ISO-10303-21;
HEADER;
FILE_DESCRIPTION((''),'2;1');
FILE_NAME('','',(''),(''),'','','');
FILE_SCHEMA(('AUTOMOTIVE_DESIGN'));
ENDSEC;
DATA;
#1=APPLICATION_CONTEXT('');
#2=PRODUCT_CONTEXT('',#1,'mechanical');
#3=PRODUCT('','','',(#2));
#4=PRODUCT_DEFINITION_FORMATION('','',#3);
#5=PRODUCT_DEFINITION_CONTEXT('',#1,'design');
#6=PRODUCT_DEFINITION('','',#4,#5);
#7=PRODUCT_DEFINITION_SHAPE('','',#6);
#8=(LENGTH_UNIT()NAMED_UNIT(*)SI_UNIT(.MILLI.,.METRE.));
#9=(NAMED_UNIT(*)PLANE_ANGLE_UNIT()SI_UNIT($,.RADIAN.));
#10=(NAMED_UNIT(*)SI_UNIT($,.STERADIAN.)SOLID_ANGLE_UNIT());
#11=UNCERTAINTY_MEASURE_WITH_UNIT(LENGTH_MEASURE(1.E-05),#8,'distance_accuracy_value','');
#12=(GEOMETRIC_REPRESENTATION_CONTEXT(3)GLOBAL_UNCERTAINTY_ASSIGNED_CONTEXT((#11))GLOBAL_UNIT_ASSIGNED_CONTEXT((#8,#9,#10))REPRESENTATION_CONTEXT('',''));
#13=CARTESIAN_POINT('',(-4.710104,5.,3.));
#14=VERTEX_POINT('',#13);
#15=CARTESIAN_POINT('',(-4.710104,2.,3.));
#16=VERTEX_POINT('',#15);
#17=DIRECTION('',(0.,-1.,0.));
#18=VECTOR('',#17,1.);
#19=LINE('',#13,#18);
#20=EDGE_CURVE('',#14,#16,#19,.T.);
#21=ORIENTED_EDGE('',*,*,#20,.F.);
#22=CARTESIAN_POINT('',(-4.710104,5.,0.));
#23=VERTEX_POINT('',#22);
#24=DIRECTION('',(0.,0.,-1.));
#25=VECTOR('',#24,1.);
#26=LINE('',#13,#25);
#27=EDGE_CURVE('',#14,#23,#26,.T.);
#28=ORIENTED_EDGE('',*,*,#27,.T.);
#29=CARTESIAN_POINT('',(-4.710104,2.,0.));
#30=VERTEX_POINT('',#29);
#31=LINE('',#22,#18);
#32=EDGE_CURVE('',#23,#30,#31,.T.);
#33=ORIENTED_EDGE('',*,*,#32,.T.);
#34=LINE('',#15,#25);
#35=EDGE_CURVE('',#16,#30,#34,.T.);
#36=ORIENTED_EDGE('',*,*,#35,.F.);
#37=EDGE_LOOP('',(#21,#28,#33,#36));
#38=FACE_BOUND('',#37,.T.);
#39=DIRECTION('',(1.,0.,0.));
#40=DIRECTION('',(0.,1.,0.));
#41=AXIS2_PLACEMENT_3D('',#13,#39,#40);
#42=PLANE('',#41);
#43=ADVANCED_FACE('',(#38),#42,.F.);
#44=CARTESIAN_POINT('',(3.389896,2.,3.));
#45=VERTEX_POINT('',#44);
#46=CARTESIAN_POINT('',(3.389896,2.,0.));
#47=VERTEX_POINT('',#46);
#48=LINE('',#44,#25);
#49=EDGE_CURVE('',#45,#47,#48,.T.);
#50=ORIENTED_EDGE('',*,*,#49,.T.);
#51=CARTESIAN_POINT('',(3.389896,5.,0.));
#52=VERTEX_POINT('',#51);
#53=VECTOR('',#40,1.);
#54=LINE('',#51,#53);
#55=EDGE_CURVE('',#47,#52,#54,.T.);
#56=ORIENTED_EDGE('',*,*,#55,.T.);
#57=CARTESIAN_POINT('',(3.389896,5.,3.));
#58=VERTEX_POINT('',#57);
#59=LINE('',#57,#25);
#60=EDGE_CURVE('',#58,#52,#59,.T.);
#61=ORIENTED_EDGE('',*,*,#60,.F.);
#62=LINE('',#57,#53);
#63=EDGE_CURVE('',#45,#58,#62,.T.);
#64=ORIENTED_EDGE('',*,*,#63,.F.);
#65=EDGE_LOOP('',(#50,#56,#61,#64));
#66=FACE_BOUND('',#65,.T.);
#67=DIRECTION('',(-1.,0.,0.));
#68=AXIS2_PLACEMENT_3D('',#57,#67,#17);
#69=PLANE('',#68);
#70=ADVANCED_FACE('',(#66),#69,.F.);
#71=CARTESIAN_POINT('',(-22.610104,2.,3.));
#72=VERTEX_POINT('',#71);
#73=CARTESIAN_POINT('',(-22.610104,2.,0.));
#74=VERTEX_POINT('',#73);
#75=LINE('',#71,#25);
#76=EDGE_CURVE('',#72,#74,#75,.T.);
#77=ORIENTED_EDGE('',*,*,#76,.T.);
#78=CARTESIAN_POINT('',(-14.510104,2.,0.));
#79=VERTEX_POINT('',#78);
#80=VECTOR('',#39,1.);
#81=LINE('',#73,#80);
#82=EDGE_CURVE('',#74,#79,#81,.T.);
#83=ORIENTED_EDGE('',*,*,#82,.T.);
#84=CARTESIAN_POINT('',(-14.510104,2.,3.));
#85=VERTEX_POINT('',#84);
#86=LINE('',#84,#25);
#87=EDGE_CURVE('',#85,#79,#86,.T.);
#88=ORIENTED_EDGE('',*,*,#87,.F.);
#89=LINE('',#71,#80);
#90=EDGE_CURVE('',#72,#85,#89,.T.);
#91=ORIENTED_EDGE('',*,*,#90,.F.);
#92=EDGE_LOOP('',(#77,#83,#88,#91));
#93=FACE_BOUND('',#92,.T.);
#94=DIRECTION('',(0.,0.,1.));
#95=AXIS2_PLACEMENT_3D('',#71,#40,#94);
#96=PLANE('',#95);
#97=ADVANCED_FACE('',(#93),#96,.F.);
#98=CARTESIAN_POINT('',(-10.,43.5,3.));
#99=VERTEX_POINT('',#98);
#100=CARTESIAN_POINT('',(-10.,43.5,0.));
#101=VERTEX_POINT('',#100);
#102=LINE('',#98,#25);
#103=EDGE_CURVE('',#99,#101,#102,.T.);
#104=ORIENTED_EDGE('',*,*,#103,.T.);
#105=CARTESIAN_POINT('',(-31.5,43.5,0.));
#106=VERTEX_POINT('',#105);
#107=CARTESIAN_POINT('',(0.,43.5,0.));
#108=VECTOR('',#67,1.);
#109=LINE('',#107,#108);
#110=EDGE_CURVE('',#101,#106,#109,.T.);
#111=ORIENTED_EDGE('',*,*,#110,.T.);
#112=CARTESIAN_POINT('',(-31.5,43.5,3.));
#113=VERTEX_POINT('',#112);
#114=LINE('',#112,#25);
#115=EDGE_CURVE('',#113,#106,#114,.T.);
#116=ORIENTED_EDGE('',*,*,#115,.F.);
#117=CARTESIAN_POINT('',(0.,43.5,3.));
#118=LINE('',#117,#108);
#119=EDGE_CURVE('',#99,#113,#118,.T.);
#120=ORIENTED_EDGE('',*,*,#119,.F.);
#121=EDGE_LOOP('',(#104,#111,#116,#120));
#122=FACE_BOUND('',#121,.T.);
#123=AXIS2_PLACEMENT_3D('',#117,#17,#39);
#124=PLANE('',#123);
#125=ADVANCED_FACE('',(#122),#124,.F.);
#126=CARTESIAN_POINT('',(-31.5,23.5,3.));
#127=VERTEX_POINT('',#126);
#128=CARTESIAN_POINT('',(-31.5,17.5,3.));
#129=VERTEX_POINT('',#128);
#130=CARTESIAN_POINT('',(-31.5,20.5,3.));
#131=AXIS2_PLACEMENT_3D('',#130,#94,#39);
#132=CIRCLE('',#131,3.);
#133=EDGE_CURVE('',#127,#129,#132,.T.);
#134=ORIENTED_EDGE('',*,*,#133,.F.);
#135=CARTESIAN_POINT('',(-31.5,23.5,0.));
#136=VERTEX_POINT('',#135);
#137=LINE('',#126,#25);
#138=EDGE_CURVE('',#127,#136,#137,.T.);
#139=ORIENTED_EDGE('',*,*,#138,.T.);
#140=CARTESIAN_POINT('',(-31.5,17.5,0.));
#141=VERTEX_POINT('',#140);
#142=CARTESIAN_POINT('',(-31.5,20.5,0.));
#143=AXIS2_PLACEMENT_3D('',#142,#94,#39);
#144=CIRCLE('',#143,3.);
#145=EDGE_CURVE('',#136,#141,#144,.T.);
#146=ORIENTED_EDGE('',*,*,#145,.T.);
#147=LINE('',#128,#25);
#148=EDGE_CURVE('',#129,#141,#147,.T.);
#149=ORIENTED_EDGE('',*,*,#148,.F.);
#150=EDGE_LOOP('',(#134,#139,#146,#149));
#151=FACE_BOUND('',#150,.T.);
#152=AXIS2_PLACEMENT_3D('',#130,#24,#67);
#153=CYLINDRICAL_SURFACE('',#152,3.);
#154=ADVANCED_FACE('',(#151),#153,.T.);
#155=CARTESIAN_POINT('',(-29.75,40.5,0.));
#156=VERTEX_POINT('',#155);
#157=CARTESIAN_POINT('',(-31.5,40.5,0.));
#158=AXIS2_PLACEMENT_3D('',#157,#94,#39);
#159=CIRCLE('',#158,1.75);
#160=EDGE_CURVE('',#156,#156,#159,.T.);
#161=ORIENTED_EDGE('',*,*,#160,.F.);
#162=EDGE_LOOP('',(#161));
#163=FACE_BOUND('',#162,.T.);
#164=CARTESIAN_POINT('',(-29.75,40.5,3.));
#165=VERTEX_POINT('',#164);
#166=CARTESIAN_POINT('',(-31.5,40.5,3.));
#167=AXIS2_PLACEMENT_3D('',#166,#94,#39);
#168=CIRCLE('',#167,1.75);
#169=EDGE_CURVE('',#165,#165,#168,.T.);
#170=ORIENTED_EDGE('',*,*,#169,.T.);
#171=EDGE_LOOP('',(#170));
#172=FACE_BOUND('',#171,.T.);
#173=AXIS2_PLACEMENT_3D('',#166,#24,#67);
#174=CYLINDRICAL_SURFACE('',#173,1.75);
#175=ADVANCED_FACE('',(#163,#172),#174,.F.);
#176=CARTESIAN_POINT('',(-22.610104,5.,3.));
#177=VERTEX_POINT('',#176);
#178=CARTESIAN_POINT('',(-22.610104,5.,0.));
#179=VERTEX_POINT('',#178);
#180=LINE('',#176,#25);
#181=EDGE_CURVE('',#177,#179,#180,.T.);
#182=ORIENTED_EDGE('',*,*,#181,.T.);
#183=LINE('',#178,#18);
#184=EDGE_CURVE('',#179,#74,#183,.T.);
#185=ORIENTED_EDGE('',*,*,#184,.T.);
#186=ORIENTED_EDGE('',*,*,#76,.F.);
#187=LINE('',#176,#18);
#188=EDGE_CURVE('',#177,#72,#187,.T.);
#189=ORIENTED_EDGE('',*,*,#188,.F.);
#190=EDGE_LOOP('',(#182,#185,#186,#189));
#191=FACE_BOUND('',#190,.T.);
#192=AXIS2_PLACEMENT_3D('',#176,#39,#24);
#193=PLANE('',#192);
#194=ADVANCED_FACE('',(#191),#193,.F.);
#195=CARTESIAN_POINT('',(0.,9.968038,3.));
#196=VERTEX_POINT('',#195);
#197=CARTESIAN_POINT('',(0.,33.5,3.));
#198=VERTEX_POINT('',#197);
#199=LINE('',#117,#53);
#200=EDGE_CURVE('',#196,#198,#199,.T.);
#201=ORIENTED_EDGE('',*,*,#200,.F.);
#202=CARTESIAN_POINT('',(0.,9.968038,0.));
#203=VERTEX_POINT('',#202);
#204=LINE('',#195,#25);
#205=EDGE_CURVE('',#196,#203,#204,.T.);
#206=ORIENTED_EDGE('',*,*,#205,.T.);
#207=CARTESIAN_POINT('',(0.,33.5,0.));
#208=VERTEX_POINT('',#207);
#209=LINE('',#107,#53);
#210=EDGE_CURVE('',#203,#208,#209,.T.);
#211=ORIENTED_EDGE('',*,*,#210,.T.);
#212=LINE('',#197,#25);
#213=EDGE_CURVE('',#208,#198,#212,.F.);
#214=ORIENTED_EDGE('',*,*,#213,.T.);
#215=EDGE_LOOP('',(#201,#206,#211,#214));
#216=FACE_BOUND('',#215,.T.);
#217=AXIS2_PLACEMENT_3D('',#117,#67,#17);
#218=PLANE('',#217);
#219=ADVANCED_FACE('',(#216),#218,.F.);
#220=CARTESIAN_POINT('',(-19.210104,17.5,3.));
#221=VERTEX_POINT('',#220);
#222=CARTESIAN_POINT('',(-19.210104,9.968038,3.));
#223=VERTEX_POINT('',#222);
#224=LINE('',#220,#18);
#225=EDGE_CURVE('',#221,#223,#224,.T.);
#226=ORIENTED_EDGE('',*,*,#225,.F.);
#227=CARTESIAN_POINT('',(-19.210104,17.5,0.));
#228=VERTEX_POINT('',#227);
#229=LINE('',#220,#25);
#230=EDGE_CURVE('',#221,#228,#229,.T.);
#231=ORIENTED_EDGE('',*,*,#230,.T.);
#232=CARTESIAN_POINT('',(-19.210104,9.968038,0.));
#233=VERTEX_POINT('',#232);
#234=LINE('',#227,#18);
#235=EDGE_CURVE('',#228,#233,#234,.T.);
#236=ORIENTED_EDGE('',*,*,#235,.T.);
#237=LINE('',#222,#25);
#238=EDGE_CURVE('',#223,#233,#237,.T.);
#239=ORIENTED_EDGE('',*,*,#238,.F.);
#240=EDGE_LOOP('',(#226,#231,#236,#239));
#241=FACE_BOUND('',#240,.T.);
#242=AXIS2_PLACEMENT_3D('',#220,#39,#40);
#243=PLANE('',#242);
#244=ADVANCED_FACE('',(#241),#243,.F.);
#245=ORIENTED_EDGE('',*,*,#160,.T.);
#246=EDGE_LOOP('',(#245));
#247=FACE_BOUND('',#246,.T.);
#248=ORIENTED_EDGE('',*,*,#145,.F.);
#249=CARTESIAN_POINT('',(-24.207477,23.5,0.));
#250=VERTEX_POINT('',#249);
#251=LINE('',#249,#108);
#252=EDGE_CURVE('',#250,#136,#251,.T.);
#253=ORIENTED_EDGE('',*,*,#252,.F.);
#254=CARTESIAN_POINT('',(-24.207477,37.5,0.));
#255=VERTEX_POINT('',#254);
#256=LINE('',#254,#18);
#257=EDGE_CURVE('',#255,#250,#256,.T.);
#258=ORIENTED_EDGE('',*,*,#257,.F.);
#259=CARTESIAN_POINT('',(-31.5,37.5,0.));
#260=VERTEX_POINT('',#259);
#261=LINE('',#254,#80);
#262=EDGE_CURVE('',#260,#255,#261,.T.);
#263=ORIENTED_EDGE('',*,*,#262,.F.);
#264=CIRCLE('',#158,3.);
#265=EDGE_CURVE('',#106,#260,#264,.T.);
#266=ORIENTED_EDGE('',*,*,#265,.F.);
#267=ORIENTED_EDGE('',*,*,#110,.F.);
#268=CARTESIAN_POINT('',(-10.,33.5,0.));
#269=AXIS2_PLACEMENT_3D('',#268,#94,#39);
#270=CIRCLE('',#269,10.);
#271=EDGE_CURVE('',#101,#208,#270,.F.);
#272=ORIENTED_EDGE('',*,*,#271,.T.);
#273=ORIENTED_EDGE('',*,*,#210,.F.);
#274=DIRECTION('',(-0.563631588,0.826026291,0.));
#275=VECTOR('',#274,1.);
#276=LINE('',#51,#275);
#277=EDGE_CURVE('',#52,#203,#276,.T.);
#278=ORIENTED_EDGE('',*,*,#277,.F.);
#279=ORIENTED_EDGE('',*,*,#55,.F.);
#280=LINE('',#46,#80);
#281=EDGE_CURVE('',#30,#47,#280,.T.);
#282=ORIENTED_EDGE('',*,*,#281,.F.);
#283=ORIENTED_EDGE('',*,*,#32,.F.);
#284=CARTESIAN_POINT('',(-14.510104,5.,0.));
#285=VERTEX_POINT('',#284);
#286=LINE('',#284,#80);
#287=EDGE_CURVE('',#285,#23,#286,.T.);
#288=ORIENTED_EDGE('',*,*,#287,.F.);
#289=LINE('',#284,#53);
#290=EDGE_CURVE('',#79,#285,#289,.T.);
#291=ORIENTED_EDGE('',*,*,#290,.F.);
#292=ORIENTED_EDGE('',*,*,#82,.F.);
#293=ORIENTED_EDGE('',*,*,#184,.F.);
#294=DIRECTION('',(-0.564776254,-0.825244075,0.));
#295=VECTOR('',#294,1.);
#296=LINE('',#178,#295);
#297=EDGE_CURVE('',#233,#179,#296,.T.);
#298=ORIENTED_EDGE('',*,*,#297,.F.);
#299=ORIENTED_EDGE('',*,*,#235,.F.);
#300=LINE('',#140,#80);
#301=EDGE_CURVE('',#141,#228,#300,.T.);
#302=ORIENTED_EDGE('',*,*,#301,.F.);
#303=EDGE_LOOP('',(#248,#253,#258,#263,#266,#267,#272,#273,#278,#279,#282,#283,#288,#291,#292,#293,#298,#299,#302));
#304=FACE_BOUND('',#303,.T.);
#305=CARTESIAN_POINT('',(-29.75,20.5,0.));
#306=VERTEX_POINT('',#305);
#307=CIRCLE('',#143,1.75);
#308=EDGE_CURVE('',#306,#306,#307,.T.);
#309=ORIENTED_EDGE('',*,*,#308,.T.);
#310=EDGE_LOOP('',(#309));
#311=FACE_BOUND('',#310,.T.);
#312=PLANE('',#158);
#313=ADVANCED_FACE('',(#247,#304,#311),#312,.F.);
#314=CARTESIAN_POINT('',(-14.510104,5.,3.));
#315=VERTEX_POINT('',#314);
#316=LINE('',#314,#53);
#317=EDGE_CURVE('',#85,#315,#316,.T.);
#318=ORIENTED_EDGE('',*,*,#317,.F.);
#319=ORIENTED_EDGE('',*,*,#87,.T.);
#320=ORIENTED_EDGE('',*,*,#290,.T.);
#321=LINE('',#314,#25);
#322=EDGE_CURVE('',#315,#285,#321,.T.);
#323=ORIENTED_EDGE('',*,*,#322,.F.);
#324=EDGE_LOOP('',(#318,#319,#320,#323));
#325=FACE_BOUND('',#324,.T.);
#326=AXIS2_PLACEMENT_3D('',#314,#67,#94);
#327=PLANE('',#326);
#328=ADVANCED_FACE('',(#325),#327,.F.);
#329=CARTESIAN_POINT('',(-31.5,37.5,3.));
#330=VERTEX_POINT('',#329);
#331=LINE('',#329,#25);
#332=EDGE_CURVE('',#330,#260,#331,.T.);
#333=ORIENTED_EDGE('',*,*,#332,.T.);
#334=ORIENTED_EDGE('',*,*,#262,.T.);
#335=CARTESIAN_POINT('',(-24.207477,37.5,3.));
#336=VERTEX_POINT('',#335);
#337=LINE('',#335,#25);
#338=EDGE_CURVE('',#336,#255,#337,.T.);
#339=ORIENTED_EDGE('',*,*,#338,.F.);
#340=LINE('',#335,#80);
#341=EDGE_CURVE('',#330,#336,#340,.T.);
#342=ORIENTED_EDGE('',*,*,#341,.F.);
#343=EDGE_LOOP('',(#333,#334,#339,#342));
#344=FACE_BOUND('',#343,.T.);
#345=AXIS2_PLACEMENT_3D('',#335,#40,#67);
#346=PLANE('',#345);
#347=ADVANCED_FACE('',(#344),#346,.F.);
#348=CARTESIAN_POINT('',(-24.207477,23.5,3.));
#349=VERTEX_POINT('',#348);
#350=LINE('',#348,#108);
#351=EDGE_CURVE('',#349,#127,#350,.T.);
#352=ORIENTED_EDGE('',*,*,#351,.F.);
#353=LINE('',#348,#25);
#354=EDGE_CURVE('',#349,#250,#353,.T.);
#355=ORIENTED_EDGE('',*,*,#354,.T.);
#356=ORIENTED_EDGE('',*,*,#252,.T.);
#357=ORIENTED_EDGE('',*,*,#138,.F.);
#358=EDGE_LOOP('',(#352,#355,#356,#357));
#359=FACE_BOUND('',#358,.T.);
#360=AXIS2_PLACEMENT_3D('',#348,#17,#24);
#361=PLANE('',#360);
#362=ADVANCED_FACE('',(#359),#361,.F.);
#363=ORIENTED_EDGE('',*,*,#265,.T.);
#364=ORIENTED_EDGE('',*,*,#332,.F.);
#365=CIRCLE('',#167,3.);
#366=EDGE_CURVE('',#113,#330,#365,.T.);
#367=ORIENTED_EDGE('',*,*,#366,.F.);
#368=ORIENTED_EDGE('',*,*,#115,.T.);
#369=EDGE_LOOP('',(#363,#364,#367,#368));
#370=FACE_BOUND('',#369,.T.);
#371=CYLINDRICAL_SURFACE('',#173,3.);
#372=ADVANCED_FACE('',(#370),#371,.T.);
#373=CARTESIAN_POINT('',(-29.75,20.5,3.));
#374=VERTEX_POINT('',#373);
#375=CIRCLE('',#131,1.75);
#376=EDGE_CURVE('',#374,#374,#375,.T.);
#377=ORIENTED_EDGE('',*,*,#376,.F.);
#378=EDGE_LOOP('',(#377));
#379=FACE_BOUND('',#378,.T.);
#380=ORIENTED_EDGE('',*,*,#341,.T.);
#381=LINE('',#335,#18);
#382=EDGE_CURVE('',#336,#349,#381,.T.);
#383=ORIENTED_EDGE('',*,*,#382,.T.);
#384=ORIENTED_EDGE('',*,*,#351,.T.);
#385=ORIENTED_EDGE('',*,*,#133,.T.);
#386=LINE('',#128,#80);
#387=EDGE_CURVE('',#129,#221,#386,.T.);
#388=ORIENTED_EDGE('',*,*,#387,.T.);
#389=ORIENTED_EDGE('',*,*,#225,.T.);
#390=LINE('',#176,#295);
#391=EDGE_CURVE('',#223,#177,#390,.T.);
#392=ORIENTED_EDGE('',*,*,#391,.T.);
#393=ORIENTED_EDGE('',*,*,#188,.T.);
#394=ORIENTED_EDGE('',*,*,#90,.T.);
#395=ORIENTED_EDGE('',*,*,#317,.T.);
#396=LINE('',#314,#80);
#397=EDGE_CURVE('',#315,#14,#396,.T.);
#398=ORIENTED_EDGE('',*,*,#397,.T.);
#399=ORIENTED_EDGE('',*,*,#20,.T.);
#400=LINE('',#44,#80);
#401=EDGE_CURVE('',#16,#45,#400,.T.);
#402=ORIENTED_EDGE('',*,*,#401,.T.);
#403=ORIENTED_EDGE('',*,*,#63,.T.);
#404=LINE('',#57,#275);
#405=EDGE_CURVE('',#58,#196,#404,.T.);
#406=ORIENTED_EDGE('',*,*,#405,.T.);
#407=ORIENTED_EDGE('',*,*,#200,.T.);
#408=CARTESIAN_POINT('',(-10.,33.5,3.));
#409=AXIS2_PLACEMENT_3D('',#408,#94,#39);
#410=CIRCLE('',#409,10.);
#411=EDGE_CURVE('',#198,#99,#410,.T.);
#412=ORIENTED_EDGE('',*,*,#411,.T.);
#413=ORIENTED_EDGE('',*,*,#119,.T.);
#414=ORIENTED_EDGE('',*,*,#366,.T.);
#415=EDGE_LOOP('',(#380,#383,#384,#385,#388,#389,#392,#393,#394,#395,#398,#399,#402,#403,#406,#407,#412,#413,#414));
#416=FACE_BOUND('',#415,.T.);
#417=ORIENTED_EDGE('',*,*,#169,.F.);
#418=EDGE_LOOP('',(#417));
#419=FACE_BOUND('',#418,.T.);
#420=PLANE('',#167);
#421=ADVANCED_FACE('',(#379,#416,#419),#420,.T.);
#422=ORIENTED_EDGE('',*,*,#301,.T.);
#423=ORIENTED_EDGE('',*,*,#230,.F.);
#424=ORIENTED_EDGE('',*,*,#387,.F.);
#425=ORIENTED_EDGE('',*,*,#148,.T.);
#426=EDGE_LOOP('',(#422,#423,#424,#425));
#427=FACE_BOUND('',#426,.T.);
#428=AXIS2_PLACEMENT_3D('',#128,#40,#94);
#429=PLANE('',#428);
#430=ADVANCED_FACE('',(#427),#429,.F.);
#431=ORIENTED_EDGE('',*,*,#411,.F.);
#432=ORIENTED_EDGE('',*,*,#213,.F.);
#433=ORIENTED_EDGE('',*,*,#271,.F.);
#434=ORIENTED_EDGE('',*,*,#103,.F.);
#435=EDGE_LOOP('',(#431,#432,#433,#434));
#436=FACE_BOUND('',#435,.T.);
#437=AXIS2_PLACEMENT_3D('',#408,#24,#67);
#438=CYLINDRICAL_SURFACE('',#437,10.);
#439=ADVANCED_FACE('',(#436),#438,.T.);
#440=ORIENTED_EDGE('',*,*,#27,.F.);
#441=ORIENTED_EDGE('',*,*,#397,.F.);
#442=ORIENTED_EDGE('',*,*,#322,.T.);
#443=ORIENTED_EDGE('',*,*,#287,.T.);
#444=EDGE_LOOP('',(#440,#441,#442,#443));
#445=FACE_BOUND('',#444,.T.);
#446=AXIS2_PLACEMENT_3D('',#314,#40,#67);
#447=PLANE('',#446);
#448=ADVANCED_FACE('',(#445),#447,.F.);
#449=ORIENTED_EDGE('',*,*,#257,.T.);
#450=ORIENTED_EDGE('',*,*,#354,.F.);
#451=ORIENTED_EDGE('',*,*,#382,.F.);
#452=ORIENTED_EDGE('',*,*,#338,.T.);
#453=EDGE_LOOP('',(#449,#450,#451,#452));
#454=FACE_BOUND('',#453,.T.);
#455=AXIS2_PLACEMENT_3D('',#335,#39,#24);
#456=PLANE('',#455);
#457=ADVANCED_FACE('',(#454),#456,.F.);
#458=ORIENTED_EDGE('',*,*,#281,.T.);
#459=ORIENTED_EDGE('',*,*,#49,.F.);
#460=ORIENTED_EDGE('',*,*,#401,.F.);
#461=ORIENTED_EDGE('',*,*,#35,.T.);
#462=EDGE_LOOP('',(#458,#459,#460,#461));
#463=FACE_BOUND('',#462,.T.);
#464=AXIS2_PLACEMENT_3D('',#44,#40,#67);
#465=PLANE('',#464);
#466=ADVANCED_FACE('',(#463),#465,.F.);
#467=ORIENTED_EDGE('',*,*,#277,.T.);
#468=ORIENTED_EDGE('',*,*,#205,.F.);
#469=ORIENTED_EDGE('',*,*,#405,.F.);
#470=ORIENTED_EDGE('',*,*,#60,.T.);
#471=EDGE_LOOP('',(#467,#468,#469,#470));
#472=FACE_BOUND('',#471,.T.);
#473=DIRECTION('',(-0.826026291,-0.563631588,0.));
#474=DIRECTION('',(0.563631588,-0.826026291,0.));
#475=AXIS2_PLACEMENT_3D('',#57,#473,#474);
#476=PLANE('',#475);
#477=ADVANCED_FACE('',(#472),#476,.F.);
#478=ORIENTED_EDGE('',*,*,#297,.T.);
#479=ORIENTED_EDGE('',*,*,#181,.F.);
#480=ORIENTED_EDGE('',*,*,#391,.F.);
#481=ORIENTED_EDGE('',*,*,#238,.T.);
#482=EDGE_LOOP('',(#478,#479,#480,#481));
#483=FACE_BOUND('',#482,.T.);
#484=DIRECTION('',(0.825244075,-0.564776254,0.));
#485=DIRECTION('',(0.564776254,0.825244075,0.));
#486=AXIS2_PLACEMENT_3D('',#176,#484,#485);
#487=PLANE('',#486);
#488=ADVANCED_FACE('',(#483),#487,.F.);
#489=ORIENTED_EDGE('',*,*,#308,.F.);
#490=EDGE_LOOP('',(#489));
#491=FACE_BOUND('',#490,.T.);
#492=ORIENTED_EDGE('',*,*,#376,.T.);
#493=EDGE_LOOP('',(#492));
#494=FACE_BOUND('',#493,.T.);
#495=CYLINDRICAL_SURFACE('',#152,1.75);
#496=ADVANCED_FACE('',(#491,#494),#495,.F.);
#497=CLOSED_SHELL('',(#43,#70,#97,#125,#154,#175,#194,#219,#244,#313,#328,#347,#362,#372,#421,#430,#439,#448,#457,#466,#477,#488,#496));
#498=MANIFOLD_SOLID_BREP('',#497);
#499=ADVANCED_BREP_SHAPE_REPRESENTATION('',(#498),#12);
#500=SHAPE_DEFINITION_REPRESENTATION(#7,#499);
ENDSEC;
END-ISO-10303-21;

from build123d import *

# Parameters (mm, degrees)
SKETCH1_R           = 1.75
BOSS_EXTRUDE1_DEPTH = 3
FILLET1_R           = 10


with BuildPart() as part:
    # Sketch1 → Boss-Extrude1 (new body)
    with BuildSketch(Plane.XY):
        with BuildLine():
            Line((0, 43.5), (0, 9.968037932))
            Line((0, 9.968037932), (3.389895868, 5))
            Line((3.389895868, 5), (3.389895868, 2))
            Line((3.389895868, 2), (-4.710104132, 2))
            Line((-4.710104132, 2), (-4.710104132, 5))
            Line((-4.710104132, 5), (-14.510104132, 5))
            Line((-14.510104132, 5), (-14.510104132, 2))
            Line((-14.510104132, 2), (-22.610104132, 2))
            Line((-22.610104132, 2), (-22.610104132, 5))
            Line((-22.610104132, 5), (-19.210104132, 9.968037932))
            Line((-19.210104132, 9.968037932), (-19.210104132, 17.5))
            Line((-19.210104132, 17.5), (-31.5, 17.5))
            ThreePointArc((-31.5, 17.5), (-34.5, 20.5), (-31.5, 23.5))
            Line((-31.5, 23.5), (-24.207476636, 23.5))
            Line((-24.207476636, 23.5), (-24.207476636, 37.5))
            Line((-24.207476636, 37.5), (-31.5, 37.5))
            ThreePointArc((-31.5, 37.5), (-34.5, 40.5), (-31.5, 43.5))
            Line((-31.5, 43.5), (0, 43.5))
        make_face()
        with Locations((-31.5, 40.5)):
            Circle(SKETCH1_R, mode=Mode.SUBTRACT)
        with Locations((-31.5, 20.5)):
            Circle(SKETCH1_R, mode=Mode.SUBTRACT)
    extrude(amount=BOSS_EXTRUDE1_DEPTH)

    # Fillet1
    fillet1_edges = [part.edges().sort_by_distance(p)[0] for p in [
        (0, 43.5, 1.5),
    ]]
    fillet(fillet1_edges, radius=FILLET1_R)


solid = part.part
